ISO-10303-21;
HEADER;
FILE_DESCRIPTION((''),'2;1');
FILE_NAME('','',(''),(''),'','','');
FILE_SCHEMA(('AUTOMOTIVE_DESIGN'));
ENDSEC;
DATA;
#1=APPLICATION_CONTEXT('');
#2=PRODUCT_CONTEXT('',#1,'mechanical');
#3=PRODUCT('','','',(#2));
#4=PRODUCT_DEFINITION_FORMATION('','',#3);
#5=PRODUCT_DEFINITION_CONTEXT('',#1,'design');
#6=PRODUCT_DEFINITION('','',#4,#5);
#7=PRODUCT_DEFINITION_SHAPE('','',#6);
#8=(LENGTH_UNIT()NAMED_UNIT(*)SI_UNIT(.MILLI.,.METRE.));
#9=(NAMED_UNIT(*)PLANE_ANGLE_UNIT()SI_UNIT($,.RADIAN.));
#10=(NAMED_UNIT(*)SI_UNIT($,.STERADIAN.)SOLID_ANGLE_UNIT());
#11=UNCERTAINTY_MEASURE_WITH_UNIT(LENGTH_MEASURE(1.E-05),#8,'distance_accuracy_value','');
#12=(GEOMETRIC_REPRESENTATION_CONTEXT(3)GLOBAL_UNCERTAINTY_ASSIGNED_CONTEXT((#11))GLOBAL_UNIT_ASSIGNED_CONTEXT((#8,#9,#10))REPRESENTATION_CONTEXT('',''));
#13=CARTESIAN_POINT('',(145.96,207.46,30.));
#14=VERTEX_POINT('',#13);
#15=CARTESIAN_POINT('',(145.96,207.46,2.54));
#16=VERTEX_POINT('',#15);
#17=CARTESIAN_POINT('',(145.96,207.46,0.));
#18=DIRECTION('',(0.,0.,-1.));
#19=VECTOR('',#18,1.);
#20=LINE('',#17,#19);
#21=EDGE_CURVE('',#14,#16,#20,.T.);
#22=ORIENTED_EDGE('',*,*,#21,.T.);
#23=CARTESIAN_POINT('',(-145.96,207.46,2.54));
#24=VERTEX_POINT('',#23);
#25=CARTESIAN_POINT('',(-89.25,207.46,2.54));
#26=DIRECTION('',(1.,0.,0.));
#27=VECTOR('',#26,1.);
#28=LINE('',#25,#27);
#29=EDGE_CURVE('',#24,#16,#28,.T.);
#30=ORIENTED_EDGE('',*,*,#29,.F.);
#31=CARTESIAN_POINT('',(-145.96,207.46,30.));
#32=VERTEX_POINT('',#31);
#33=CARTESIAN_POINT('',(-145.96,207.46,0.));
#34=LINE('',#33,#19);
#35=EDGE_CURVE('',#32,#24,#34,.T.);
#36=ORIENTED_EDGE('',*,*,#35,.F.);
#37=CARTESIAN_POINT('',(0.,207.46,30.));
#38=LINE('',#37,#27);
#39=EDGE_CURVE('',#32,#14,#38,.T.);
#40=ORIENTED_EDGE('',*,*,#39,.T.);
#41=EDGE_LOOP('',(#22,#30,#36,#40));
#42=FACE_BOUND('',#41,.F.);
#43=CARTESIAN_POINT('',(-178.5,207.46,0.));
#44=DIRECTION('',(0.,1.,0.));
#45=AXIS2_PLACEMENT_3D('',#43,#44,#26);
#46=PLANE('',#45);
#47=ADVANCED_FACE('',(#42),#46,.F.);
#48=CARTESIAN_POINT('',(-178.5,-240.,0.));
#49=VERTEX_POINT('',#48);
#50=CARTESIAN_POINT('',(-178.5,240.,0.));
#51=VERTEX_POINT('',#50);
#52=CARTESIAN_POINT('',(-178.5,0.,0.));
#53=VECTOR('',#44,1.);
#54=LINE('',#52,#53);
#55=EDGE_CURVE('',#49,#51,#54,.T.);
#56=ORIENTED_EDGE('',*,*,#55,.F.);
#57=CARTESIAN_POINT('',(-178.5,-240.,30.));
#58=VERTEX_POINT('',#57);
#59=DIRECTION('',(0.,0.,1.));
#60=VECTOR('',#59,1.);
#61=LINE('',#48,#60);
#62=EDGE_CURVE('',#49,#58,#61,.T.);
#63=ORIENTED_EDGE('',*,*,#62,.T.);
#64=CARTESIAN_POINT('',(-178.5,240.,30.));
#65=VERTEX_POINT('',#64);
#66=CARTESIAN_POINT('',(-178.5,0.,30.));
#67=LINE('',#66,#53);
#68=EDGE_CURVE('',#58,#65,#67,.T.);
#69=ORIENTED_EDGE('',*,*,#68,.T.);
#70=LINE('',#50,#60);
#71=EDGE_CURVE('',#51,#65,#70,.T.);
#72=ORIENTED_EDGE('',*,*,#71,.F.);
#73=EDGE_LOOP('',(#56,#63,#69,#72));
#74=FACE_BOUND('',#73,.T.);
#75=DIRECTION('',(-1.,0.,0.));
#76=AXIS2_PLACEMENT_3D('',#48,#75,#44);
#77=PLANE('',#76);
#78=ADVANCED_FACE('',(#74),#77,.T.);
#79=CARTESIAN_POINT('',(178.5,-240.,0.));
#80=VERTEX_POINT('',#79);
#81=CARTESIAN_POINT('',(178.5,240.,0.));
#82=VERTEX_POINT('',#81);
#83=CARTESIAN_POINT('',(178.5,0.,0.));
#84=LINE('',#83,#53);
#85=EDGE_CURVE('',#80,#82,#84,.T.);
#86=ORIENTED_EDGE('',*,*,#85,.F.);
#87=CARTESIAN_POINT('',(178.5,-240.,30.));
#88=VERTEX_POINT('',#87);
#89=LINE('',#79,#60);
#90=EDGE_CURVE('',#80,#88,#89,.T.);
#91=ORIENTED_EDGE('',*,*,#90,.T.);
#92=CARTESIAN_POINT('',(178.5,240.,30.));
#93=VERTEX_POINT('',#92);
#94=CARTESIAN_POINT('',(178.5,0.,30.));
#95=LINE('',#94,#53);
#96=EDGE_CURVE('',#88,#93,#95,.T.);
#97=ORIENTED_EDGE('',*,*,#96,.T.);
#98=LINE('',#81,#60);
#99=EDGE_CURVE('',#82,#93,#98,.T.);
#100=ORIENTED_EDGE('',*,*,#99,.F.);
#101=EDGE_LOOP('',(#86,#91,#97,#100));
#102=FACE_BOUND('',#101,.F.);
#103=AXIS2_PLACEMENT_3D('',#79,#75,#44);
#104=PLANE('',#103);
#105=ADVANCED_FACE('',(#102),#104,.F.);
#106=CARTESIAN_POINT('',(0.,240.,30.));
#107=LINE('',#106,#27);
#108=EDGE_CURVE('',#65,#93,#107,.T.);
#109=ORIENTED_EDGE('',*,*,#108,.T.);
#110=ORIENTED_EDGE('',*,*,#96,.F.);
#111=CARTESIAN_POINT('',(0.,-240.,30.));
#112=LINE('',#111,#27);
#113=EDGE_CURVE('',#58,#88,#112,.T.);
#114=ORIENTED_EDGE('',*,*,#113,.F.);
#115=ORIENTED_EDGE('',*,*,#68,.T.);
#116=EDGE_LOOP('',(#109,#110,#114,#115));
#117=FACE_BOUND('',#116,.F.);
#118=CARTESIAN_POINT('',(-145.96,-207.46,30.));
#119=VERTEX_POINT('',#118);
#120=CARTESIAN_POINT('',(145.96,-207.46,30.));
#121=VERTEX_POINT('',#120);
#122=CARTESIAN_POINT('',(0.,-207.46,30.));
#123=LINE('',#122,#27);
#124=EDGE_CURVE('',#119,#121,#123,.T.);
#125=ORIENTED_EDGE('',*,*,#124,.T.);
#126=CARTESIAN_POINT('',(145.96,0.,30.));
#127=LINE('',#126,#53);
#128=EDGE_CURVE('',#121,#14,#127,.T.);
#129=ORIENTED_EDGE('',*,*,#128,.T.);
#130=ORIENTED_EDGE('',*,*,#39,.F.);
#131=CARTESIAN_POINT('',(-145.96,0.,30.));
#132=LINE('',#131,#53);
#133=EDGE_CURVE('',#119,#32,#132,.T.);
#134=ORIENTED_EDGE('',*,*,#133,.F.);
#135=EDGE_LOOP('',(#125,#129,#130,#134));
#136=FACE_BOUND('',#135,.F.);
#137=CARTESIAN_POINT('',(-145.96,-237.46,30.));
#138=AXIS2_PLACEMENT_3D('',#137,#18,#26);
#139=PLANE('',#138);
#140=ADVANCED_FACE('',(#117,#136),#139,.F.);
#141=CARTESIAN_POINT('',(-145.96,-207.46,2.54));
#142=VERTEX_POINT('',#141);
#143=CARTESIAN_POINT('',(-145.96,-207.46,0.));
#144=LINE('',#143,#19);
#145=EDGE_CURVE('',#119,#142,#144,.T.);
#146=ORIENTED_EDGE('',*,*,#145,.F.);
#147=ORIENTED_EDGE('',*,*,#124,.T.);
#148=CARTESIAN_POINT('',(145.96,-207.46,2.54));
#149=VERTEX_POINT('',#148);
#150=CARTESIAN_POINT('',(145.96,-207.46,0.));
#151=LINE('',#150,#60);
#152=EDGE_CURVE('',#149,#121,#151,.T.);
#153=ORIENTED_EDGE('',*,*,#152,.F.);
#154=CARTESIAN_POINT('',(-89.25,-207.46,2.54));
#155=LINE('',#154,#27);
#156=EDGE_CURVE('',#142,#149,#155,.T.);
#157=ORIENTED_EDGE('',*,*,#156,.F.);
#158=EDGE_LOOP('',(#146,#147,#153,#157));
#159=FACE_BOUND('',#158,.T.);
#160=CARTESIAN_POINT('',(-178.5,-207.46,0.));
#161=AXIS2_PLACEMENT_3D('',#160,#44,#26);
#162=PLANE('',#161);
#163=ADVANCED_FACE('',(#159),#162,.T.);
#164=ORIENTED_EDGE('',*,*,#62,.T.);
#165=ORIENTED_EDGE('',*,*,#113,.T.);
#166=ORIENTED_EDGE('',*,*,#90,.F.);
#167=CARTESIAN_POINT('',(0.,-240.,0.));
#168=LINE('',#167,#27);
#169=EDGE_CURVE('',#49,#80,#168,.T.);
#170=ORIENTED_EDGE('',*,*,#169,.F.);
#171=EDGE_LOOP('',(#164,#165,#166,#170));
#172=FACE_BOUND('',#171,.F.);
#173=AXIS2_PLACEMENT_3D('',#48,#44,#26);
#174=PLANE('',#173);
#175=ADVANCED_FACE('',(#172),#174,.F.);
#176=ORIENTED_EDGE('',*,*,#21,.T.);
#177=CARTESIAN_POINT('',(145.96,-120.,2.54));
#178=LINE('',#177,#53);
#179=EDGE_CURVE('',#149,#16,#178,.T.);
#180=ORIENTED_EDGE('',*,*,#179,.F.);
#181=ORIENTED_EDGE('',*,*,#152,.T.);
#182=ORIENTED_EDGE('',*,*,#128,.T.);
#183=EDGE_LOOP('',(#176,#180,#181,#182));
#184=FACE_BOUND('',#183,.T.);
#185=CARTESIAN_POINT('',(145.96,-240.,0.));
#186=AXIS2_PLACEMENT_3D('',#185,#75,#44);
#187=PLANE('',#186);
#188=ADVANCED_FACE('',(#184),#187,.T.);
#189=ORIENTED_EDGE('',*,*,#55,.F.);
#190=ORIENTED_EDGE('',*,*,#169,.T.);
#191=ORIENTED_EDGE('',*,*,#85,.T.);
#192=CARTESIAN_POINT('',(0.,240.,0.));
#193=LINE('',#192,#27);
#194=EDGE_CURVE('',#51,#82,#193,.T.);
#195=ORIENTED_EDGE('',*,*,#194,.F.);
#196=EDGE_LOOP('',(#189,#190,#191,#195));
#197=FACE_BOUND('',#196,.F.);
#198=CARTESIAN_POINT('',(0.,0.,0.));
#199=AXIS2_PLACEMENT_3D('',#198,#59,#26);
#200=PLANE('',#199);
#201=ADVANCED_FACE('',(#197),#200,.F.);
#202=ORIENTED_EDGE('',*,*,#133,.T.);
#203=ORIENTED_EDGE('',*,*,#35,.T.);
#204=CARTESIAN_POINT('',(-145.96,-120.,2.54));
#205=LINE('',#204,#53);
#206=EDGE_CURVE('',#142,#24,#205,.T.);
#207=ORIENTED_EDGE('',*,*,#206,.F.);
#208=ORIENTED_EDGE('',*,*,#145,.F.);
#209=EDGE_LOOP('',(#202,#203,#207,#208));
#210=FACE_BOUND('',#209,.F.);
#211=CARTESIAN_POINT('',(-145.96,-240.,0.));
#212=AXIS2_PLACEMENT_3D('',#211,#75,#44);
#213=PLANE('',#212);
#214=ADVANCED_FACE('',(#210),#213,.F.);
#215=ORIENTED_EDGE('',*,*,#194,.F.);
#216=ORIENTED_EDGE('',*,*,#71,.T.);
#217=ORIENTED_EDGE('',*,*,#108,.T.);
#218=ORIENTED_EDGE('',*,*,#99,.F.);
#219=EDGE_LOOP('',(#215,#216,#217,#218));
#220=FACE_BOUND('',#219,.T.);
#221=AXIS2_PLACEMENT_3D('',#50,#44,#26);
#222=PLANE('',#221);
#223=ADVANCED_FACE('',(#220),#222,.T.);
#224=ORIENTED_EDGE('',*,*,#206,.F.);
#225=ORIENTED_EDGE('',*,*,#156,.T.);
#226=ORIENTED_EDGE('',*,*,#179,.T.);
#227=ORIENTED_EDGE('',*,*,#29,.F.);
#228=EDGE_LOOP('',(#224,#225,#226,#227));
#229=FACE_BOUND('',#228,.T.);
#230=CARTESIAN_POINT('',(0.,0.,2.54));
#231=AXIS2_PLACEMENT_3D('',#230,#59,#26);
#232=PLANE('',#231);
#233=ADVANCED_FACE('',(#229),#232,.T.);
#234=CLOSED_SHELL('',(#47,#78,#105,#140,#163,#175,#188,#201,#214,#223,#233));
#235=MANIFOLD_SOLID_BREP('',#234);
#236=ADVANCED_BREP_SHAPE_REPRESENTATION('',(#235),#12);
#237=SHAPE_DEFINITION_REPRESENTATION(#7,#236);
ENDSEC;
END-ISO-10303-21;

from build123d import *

# Parameters (mm, degrees)
F0_W     = 357
F0_H     = 480
F1_DEPTH = 30
F2_T     = -2.54
F3_DEPTH = 30
F4_DEPTH = 30
F5_DEPTH = 30
F6_DEPTH = 30


with BuildPart() as f1:
    # F0 (on Top) → F1 (new body)
    with BuildSketch(Plane.XY):
        Rectangle(F0_W, F0_H)
    extrude(amount=F1_DEPTH)

    # F2
    f2_openings = [f1.faces().sort_by_distance(p)[0] for p in [
        (0, 0, 30),
    ]]
    offset(amount=F2_T, openings=f2_openings)

    # F3 (add): a face of the model
    f3_faces = [f1.faces().sort_by_distance(p)[0] for p in [
        (0, 237.46, 16.27),
    ]]
    extrude(f3_faces, amount=F3_DEPTH)

    # F4 (add): a face of the model
    f4_faces = [f1.faces().sort_by_distance(p)[0] for p in [
        (175.96, -15, 16.27),
    ]]
    extrude(f4_faces, amount=F4_DEPTH)

    # F5 (add): a face of the model
    f5_faces = [f1.faces().sort_by_distance(p)[0] for p in [
        (-175.96, -15, 16.27),
    ]]
    extrude(f5_faces, amount=F5_DEPTH)

    # F6 (add): a face of the model
    f6_faces = [f1.faces().sort_by_distance(p)[0] for p in [
        (0, -237.46, 16.27),
    ]]
    extrude(f6_faces, amount=F6_DEPTH)


solid = f1.part
